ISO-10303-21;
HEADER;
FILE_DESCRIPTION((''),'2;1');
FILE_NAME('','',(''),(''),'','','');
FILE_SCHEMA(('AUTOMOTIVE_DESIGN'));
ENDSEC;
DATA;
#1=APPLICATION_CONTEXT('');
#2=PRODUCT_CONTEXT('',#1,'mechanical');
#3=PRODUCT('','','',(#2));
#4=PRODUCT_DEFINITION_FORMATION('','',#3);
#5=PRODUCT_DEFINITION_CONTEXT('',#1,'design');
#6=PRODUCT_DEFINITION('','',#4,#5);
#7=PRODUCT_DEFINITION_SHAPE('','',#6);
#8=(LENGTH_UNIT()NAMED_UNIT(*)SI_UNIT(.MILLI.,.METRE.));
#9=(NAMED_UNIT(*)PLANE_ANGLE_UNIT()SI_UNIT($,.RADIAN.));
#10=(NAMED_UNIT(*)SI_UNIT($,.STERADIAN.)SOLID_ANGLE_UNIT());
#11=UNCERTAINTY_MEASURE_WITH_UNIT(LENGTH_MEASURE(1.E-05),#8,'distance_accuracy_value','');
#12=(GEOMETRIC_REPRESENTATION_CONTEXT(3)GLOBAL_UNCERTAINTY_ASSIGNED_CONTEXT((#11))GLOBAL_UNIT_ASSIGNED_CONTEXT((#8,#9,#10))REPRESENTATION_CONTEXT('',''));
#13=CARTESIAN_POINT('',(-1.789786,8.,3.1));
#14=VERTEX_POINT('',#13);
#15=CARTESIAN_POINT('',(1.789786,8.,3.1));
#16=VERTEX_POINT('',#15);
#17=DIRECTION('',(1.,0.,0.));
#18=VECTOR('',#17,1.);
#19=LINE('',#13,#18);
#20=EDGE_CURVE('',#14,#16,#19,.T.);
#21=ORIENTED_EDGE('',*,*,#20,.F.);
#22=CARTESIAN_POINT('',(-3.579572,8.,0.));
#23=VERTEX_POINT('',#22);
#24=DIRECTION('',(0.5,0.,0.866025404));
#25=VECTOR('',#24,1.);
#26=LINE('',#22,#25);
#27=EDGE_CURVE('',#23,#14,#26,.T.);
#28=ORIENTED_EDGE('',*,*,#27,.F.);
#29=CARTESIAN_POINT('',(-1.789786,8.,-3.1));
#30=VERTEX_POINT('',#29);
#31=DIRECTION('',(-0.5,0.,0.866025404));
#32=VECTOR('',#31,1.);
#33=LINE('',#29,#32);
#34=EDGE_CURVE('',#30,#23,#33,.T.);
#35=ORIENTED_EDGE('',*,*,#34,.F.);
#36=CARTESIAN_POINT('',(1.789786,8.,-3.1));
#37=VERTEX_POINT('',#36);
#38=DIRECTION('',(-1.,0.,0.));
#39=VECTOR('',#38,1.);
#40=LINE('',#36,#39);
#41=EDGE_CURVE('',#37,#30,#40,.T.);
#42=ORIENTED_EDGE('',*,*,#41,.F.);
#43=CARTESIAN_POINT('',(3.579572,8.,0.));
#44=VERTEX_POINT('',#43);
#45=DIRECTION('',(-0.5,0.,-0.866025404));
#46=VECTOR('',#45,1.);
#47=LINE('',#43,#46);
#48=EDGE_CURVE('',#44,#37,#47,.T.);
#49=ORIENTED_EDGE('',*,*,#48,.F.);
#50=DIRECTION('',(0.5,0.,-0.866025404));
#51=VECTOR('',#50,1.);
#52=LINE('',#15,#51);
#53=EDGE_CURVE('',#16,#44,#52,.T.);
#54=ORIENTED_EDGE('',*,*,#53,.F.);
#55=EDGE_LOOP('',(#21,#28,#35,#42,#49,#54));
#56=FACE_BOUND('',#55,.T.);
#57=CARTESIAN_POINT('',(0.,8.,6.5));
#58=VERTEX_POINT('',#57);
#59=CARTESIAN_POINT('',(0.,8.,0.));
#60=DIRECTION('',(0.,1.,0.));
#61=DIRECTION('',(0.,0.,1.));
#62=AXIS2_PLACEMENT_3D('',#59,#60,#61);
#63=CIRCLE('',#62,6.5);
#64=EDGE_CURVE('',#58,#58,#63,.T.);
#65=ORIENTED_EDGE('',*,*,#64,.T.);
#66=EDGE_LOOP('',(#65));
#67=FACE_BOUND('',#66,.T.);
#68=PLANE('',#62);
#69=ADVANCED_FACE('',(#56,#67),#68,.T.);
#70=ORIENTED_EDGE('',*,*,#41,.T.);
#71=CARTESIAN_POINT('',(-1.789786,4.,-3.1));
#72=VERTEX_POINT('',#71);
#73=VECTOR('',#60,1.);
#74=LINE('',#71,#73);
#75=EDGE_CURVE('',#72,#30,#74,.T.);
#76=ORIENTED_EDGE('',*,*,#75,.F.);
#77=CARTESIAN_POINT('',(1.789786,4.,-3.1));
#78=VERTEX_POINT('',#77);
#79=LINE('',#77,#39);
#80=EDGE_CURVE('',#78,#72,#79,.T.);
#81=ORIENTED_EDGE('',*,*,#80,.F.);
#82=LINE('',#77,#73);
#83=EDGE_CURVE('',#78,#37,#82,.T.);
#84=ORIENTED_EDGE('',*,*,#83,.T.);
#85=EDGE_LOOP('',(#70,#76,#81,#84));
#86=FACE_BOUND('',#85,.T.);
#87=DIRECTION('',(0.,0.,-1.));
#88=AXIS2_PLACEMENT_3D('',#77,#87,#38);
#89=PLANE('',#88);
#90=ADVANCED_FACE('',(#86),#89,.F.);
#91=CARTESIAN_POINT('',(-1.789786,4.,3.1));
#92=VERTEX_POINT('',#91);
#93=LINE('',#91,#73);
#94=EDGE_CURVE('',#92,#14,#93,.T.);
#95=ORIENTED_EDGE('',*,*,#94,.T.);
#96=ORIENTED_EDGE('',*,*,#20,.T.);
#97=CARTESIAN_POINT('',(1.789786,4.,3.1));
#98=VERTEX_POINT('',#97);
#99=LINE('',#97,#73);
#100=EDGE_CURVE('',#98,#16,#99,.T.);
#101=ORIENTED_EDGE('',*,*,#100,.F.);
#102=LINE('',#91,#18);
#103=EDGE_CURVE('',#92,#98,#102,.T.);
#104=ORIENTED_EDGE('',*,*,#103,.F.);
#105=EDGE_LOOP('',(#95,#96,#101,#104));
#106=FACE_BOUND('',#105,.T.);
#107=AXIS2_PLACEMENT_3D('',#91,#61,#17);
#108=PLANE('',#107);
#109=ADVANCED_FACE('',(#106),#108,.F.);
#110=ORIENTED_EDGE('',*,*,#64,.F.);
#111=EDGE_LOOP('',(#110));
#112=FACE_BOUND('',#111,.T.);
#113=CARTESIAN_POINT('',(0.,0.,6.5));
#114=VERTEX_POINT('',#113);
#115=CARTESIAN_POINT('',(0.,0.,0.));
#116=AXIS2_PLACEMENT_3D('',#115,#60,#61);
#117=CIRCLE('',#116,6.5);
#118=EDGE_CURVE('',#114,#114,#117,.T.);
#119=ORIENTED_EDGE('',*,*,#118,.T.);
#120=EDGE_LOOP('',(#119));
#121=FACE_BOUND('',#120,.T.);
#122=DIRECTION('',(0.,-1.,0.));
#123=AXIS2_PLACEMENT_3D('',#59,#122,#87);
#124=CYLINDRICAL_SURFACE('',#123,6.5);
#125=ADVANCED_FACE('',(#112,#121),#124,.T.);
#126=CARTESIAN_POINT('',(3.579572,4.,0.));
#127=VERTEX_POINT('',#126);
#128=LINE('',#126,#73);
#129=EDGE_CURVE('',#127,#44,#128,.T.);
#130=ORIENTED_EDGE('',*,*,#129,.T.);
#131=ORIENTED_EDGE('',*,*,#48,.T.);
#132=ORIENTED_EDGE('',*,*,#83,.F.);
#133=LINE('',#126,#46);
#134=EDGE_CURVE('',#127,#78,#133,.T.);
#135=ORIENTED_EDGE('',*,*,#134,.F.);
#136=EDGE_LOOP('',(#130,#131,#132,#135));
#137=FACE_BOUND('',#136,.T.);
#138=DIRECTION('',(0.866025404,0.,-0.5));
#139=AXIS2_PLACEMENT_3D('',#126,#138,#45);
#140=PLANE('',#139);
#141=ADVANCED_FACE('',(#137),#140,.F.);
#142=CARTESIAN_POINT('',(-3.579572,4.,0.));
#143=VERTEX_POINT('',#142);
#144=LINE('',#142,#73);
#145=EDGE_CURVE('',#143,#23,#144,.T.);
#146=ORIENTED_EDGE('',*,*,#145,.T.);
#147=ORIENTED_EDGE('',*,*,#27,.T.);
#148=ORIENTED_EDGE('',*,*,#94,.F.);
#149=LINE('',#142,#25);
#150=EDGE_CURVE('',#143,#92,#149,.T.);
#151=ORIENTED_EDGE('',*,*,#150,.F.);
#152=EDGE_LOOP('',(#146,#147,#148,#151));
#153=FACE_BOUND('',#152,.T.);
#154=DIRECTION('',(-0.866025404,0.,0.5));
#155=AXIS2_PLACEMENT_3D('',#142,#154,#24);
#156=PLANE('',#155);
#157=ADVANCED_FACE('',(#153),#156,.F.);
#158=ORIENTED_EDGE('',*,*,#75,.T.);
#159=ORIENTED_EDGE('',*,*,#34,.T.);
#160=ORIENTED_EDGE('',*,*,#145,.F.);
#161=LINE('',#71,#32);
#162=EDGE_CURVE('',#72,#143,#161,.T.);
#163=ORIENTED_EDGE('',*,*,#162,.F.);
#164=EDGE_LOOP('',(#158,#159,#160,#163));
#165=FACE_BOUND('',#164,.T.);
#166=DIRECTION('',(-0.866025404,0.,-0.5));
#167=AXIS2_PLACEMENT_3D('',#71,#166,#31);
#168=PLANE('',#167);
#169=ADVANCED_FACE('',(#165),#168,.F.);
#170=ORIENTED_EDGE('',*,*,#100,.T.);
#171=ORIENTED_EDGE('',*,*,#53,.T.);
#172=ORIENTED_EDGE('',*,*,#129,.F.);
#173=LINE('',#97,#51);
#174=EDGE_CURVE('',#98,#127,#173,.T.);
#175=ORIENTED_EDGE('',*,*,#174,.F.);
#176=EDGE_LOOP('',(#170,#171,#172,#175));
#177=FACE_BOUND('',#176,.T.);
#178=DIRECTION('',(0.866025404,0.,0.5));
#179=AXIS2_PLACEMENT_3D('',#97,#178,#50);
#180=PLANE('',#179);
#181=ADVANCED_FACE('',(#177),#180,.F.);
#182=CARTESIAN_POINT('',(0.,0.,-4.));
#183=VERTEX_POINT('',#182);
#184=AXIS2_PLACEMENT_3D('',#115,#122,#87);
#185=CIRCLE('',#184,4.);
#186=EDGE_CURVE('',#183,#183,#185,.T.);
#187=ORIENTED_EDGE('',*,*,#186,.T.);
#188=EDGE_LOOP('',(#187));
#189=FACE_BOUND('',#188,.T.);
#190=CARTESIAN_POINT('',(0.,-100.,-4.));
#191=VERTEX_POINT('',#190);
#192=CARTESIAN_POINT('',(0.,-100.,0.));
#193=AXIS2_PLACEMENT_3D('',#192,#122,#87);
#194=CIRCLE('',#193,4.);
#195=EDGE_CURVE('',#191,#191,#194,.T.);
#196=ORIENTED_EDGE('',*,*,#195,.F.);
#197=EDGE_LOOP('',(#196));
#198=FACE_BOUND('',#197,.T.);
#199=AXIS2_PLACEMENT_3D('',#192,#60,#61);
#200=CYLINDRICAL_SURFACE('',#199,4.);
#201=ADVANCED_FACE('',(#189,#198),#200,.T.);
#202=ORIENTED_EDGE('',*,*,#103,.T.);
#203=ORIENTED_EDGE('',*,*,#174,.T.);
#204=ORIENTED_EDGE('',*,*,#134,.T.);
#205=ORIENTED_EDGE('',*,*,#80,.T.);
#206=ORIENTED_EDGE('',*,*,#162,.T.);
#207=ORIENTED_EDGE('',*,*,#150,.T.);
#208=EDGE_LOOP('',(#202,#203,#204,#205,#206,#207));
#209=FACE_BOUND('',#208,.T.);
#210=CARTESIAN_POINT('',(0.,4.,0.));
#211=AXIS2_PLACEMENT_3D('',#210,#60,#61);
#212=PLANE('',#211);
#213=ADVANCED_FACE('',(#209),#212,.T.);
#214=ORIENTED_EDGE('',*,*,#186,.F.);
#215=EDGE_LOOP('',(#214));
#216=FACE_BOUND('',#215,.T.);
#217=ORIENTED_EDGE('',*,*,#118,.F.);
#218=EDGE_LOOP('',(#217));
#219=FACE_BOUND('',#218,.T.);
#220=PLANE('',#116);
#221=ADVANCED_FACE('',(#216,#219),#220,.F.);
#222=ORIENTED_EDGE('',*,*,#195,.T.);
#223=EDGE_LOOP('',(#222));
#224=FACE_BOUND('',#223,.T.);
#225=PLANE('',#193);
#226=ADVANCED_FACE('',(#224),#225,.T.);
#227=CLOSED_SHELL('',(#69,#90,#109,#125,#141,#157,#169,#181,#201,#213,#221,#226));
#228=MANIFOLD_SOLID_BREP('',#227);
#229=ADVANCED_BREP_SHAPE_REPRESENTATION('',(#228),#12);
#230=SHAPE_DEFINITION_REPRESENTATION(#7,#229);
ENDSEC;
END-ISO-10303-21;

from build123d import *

# Parameters (mm, degrees)
SKETCH_1_R            = 6.5
EXTRUDE_248_DEPTH     = 8
CUT_EXTRUDE_382_DEPTH = 4
SKETCH_3_R            = 4
EXTRUDE_487_DEPTH     = 100


with BuildPart() as part:
    # 草图1 → Extrude 248 (new body)
    with BuildSketch(Plane(origin=(0, 0, 0), x_dir=(1, 0, 0), z_dir=(0, 1, 0))):
        Circle(SKETCH_1_R)
    extrude(amount=EXTRUDE_248_DEPTH)

    # 草图2 → Cut-Extrude 382 (cut)
    with BuildSketch(Plane(origin=(0, 8, 0), x_dir=(1, 0, 0), z_dir=(0, 1, 0))):
        Polygon((3.579571669, 0), (1.789785834, 3.1), (-1.789785834, 3.1), (-3.579571669, 0), (-1.789785834, -3.1), (1.789785834, -3.1), align=None)
    extrude(amount=-CUT_EXTRUDE_382_DEPTH, mode=Mode.SUBTRACT)

    # 草图3 → Extrude 487 (add)
    with BuildSketch(Plane.XZ):
        Circle(SKETCH_3_R)
    extrude(amount=EXTRUDE_487_DEPTH)


solid = part.part
